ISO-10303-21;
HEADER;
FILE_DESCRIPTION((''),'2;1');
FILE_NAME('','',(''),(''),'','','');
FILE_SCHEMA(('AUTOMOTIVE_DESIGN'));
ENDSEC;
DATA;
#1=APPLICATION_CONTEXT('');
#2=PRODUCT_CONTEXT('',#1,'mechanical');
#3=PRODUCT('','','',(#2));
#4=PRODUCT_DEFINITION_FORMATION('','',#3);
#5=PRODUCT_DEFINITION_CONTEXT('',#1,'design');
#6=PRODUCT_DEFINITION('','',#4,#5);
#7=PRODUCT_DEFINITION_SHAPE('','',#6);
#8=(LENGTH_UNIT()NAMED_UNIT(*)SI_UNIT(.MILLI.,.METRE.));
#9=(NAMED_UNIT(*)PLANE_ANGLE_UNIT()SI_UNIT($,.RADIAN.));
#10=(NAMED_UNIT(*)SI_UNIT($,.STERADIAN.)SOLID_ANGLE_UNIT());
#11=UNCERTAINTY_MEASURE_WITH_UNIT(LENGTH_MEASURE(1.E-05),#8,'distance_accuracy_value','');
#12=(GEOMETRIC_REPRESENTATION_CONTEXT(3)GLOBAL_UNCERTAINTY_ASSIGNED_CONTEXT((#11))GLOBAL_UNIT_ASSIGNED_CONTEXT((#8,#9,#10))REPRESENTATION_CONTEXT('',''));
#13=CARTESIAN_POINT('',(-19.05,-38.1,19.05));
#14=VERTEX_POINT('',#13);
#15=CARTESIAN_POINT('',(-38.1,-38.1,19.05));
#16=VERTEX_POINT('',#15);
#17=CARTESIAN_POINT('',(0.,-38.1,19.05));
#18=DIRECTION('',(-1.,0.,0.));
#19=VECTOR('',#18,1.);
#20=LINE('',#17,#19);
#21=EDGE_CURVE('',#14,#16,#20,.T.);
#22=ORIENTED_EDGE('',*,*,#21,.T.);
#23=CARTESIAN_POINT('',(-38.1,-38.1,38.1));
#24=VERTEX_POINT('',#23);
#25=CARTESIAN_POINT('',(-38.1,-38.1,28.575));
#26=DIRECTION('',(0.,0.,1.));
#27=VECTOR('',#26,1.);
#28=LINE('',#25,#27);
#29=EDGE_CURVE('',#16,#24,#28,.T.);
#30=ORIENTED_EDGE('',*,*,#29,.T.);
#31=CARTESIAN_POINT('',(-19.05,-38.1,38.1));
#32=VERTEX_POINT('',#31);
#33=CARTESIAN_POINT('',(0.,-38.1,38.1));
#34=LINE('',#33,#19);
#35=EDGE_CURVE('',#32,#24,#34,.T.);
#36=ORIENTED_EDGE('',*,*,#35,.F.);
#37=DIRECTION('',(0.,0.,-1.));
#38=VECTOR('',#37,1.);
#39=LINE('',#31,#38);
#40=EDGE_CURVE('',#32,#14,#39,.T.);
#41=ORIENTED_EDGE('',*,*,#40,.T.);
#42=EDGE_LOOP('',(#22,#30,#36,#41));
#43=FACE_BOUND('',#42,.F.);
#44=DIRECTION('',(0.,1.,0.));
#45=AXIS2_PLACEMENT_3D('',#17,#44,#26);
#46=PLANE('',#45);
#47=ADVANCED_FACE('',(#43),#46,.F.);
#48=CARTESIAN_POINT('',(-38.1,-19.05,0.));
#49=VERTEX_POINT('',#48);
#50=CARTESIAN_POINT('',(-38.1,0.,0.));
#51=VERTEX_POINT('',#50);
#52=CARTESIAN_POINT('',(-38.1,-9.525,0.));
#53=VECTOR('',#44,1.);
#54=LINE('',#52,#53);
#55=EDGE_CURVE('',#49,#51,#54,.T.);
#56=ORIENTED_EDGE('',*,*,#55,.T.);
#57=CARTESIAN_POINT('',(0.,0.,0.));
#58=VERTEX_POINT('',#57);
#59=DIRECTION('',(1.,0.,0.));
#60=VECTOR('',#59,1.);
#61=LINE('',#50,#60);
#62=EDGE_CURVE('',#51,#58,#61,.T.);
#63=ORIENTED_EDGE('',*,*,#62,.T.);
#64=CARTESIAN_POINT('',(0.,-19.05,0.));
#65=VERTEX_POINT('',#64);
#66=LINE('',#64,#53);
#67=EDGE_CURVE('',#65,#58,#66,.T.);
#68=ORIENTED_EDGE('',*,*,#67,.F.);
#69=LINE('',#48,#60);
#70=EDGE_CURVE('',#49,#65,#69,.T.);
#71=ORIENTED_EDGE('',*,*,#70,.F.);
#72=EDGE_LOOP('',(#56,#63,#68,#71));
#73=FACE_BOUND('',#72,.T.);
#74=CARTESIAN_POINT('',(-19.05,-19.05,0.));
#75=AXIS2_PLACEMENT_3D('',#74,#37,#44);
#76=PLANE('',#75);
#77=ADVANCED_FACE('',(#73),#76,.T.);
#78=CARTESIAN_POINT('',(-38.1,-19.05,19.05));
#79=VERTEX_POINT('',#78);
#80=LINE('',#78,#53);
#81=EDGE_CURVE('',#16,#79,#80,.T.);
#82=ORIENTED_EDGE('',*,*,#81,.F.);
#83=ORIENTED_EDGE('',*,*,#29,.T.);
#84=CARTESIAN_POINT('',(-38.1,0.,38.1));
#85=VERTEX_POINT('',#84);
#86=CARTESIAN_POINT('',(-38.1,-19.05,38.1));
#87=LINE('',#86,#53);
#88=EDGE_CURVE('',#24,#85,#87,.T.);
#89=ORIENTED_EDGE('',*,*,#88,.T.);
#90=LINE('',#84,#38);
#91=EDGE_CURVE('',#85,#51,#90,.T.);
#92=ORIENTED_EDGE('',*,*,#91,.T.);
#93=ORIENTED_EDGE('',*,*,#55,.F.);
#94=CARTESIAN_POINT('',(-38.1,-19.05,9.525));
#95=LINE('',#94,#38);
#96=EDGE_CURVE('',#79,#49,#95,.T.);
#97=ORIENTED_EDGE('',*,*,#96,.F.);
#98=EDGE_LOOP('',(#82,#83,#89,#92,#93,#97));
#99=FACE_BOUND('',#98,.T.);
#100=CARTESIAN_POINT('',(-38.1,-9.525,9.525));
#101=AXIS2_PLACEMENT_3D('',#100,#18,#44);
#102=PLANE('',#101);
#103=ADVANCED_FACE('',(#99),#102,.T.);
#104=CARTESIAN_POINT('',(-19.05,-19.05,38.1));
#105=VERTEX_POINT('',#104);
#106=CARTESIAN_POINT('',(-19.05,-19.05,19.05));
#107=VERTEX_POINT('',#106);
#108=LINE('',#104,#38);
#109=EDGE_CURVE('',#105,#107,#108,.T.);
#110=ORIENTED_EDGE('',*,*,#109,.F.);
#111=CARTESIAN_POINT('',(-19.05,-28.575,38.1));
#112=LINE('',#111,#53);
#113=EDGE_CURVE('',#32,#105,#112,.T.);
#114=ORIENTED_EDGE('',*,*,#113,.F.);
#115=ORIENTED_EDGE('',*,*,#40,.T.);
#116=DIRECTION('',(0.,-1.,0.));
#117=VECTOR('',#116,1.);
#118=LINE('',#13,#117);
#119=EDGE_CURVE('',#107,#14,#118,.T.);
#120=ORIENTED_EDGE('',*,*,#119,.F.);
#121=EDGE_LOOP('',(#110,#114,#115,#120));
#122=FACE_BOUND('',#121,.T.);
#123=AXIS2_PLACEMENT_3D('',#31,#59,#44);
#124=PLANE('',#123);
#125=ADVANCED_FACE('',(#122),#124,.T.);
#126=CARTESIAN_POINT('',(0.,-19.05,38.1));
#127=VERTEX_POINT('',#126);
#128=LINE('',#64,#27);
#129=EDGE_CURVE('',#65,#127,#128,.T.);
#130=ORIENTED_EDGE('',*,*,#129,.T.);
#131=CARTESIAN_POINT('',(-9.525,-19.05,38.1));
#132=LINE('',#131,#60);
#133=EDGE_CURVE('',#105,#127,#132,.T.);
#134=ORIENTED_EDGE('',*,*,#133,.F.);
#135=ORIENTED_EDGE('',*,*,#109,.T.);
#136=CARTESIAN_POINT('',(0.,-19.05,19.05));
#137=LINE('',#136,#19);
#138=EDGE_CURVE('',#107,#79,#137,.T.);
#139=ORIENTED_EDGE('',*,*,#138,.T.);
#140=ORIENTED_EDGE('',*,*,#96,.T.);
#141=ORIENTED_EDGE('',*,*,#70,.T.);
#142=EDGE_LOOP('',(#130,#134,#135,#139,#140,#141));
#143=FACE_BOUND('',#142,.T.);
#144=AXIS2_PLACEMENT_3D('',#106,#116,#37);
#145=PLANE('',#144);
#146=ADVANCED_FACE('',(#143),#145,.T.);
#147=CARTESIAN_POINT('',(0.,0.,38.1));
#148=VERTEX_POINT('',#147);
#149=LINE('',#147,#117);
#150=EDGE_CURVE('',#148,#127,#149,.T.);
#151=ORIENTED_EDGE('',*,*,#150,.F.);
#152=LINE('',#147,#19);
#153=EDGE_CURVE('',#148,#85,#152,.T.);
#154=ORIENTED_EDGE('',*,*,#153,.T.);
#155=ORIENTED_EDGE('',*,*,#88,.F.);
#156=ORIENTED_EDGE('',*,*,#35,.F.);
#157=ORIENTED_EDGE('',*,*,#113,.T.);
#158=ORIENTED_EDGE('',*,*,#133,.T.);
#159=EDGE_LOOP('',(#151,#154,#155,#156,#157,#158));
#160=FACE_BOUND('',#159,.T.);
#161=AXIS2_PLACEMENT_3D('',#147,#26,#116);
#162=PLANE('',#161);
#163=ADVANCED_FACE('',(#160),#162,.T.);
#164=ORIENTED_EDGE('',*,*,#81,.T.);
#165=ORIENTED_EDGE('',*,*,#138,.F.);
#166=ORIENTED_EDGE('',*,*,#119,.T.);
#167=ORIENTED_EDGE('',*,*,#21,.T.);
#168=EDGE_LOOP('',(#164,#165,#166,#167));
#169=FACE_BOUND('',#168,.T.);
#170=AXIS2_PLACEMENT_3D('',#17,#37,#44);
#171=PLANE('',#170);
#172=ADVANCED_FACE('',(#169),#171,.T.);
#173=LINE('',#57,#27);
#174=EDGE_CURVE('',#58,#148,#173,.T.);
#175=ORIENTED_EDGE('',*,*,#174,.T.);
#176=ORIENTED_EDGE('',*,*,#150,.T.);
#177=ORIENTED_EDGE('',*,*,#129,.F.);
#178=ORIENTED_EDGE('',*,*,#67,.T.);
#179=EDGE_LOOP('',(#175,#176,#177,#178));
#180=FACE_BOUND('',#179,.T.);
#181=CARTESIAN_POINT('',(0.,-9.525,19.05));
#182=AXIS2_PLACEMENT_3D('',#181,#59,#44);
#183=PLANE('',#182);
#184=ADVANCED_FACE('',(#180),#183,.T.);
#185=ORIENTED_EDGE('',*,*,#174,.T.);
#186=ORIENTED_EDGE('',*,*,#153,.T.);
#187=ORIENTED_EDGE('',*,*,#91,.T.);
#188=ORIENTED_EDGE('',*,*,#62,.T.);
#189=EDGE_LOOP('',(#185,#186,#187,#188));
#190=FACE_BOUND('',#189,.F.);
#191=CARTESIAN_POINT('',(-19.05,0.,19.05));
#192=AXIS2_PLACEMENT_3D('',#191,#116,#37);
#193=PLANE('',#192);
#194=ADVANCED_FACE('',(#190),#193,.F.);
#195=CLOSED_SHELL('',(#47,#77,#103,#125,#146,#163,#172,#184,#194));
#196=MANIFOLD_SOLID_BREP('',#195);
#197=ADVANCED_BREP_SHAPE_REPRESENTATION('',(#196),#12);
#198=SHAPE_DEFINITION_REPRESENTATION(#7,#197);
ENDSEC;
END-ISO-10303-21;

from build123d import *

# Parameters (mm, degrees)
F0_W      = 19.05
F0_H      = 19.05
F1_DEPTH  = 19.05
F2_W      = 38.1
F2_H      = 19.05
F3_DEPTH  = 38.1
F1_FACE_W = 19.05
F1_FACE_H = 19.05
F4_DEPTH  = 19.05
F5_W      = 19.05
F5_H      = 19.05
F6_DEPTH  = 25.4


with BuildPart() as f1:
    # F0 (on Right) → F1 (new body)
    with BuildSketch(Plane.YZ):
        Polygon((-19.05, 0), (0, 0), (0, 38.1), (-19.05, 38.1), (-19.05, 19.05), align=None)
        with Locations((-28.575, 28.575)):
            Rectangle(F0_W, F0_H)
    extrude(amount=-F1_DEPTH)

    # F2 (on Right) → F3 (join)
    with BuildSketch(Plane.YZ):
        with Locations((-19.05, 28.575)):
            Rectangle(F2_W, F2_H)
    extrude(amount=-F3_DEPTH)

    # F1_face (on face) → F4 (join)
    with BuildSketch(Plane(origin=(-19.05, -9.525, 9.525), x_dir=(0, 1, 0), z_dir=(-1, 0, 0))):
        Rectangle(F1_FACE_W, F1_FACE_H)
    extrude(amount=F4_DEPTH)

    # F5 (on face) → F6 (cut)
    with BuildSketch(Plane.XY.offset(38.1)):
        with Locations((-9.525, -28.575)):
            Rectangle(F5_W, F5_H)
    extrude(amount=-F6_DEPTH, mode=Mode.SUBTRACT)


solid = f1.part
